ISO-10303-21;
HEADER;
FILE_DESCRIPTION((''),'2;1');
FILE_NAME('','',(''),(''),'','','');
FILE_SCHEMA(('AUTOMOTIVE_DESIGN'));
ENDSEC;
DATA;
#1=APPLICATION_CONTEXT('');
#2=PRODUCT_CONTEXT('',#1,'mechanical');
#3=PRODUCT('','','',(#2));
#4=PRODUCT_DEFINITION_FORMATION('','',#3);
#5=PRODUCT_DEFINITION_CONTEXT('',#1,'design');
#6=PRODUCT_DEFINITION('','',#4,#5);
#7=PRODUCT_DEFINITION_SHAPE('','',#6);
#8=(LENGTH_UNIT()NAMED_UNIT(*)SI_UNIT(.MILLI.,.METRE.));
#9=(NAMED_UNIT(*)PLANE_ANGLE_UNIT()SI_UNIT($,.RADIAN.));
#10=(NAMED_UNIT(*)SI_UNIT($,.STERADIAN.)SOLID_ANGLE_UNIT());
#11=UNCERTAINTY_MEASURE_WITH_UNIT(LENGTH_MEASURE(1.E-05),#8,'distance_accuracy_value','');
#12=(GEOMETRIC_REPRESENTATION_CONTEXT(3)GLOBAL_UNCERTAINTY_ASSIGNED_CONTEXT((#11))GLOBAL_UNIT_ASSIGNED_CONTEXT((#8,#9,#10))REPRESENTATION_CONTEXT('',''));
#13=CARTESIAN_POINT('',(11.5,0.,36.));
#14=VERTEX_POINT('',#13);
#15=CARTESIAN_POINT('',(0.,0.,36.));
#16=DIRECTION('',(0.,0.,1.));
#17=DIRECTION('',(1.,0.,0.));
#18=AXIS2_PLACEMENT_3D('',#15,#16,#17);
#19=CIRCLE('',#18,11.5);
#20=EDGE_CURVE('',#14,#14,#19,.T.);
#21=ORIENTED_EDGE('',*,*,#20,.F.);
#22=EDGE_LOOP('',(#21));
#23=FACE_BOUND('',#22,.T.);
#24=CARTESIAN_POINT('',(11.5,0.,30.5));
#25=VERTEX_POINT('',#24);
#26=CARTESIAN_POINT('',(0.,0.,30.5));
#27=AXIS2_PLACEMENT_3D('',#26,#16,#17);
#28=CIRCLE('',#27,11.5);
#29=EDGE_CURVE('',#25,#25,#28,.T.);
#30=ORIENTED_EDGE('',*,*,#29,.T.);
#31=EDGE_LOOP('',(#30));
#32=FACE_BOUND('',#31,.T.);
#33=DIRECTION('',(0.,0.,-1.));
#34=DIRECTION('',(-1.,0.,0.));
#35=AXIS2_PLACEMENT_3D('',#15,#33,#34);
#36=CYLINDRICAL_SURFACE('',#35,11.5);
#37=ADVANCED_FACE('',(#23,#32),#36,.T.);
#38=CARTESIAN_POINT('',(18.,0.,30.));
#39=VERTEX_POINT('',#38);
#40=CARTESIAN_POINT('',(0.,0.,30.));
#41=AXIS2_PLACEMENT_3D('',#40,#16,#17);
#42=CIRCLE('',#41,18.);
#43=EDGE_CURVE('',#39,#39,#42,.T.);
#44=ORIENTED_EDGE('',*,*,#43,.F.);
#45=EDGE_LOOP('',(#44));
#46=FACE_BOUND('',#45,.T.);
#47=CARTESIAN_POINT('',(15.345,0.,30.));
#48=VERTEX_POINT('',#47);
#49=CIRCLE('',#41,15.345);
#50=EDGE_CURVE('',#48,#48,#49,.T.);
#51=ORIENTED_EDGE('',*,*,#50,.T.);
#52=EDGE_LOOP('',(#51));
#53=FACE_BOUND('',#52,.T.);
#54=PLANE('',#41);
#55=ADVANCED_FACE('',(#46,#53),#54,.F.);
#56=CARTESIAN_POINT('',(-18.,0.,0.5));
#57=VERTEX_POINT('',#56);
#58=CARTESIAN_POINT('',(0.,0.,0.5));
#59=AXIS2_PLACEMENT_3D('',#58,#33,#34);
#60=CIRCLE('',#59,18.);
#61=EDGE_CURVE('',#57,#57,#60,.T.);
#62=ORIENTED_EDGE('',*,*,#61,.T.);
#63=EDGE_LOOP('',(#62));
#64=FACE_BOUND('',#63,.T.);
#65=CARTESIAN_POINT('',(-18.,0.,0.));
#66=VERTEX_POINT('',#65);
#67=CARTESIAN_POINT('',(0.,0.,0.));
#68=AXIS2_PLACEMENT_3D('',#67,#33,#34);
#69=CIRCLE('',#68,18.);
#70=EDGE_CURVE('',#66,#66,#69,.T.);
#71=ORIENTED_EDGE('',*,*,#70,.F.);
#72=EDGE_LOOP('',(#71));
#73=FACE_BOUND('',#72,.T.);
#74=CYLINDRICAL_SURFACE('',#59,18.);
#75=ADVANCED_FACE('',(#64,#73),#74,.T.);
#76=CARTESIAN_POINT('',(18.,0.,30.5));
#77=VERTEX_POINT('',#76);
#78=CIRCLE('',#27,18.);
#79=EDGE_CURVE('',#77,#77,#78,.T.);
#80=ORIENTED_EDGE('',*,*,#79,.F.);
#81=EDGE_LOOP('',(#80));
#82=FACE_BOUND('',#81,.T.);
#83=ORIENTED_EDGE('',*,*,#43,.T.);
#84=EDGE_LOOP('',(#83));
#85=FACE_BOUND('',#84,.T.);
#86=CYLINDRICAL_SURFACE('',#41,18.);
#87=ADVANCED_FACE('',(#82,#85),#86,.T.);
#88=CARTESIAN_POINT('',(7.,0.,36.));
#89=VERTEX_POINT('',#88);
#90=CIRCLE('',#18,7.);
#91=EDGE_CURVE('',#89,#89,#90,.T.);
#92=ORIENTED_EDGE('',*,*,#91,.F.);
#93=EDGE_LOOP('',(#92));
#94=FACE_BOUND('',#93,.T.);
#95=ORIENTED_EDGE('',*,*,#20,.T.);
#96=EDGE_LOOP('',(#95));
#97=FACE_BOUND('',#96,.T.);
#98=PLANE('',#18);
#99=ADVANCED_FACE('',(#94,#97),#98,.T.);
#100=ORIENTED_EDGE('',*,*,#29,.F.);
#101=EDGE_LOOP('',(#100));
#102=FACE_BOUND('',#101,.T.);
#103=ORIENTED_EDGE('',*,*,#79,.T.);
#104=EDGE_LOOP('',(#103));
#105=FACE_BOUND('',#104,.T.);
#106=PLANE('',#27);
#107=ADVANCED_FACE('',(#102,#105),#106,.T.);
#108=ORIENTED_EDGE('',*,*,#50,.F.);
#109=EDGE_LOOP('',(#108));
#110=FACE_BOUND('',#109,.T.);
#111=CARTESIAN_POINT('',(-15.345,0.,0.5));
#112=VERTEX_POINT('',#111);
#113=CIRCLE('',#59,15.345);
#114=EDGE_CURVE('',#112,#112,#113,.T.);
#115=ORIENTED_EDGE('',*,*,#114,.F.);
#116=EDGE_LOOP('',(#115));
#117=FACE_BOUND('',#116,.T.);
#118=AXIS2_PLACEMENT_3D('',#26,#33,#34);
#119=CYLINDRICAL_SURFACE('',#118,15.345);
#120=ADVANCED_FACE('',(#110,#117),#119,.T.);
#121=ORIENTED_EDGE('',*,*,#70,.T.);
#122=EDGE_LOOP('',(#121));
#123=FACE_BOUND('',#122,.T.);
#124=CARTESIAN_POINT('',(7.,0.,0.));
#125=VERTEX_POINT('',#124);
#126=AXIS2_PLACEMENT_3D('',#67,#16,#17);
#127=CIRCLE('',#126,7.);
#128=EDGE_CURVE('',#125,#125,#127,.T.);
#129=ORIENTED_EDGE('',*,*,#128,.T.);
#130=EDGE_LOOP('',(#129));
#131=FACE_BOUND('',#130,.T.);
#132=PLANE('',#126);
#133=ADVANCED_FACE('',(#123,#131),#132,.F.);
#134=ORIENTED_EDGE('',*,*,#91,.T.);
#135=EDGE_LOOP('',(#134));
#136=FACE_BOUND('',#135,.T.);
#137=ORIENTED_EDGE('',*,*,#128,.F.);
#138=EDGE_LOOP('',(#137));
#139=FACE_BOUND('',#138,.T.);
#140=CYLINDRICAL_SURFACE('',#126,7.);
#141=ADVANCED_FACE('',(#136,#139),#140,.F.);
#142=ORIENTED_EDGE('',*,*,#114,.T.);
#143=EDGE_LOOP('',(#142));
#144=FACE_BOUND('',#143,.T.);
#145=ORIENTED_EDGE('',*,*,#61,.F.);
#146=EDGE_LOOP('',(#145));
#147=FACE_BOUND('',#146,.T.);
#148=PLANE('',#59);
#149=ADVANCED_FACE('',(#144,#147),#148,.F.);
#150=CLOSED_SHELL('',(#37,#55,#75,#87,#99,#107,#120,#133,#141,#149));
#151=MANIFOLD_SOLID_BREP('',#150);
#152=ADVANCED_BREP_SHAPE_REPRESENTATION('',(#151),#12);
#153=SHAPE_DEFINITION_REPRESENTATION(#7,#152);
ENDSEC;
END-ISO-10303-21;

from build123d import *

# Parameters (mm, degrees)
SZKIC1_R                    = 15.345
DODANIE_WYCI_GNI_CIE1_DEPTH = 30.5
SZKIC2_R                    = 11.5
DODANIE_WYCI_GNI_CIE2_DEPTH = 5.5
SZKIC3_R                    = 18
DODANIE_WYCI_GNI_CIE3_DEPTH = 0.5
SZKIC9_R                    = 18
DODANIE_WYCI_GNI_CIE6_DEPTH = 0.5
SZKIC6_R                    = 7
WYTNIJ_WYCI_GNI_CIE1_DEPTH  = 37


with BuildPart() as part:
    # Szkic1 → Dodanie-wyciągnięcie1 (new body)
    with BuildSketch(Plane.XY):
        Circle(SZKIC1_R)
    extrude(amount=DODANIE_WYCI_GNI_CIE1_DEPTH)

    # Szkic2 → Dodanie-wyciągnięcie2 (add)
    with BuildSketch(Plane.XY.offset(30.5)):
        Circle(SZKIC2_R)
    extrude(amount=DODANIE_WYCI_GNI_CIE2_DEPTH)

    # Szkic3 → Dodanie-wyciągnięcie3 (add)
    with BuildSketch(Plane.XY.offset(30.5)):
        Circle(SZKIC3_R)
    extrude(amount=-DODANIE_WYCI_GNI_CIE3_DEPTH)

    # Szkic9 → Dodanie-wyciągnięcie6 (add)
    with BuildSketch(Plane(origin=(0, 0, 0), x_dir=(-1, 0, 0), z_dir=(0, 0, -1))):
        Circle(SZKIC9_R)
    extrude(amount=-DODANIE_WYCI_GNI_CIE6_DEPTH)

    # Szkic6 → Wytnij-wyciągnięcie1 (cut, through all)
    with BuildSketch(Plane.XY.offset(36)):
        Circle(SZKIC6_R)
    extrude(amount=-WYTNIJ_WYCI_GNI_CIE1_DEPTH, mode=Mode.SUBTRACT)


solid = part.part
